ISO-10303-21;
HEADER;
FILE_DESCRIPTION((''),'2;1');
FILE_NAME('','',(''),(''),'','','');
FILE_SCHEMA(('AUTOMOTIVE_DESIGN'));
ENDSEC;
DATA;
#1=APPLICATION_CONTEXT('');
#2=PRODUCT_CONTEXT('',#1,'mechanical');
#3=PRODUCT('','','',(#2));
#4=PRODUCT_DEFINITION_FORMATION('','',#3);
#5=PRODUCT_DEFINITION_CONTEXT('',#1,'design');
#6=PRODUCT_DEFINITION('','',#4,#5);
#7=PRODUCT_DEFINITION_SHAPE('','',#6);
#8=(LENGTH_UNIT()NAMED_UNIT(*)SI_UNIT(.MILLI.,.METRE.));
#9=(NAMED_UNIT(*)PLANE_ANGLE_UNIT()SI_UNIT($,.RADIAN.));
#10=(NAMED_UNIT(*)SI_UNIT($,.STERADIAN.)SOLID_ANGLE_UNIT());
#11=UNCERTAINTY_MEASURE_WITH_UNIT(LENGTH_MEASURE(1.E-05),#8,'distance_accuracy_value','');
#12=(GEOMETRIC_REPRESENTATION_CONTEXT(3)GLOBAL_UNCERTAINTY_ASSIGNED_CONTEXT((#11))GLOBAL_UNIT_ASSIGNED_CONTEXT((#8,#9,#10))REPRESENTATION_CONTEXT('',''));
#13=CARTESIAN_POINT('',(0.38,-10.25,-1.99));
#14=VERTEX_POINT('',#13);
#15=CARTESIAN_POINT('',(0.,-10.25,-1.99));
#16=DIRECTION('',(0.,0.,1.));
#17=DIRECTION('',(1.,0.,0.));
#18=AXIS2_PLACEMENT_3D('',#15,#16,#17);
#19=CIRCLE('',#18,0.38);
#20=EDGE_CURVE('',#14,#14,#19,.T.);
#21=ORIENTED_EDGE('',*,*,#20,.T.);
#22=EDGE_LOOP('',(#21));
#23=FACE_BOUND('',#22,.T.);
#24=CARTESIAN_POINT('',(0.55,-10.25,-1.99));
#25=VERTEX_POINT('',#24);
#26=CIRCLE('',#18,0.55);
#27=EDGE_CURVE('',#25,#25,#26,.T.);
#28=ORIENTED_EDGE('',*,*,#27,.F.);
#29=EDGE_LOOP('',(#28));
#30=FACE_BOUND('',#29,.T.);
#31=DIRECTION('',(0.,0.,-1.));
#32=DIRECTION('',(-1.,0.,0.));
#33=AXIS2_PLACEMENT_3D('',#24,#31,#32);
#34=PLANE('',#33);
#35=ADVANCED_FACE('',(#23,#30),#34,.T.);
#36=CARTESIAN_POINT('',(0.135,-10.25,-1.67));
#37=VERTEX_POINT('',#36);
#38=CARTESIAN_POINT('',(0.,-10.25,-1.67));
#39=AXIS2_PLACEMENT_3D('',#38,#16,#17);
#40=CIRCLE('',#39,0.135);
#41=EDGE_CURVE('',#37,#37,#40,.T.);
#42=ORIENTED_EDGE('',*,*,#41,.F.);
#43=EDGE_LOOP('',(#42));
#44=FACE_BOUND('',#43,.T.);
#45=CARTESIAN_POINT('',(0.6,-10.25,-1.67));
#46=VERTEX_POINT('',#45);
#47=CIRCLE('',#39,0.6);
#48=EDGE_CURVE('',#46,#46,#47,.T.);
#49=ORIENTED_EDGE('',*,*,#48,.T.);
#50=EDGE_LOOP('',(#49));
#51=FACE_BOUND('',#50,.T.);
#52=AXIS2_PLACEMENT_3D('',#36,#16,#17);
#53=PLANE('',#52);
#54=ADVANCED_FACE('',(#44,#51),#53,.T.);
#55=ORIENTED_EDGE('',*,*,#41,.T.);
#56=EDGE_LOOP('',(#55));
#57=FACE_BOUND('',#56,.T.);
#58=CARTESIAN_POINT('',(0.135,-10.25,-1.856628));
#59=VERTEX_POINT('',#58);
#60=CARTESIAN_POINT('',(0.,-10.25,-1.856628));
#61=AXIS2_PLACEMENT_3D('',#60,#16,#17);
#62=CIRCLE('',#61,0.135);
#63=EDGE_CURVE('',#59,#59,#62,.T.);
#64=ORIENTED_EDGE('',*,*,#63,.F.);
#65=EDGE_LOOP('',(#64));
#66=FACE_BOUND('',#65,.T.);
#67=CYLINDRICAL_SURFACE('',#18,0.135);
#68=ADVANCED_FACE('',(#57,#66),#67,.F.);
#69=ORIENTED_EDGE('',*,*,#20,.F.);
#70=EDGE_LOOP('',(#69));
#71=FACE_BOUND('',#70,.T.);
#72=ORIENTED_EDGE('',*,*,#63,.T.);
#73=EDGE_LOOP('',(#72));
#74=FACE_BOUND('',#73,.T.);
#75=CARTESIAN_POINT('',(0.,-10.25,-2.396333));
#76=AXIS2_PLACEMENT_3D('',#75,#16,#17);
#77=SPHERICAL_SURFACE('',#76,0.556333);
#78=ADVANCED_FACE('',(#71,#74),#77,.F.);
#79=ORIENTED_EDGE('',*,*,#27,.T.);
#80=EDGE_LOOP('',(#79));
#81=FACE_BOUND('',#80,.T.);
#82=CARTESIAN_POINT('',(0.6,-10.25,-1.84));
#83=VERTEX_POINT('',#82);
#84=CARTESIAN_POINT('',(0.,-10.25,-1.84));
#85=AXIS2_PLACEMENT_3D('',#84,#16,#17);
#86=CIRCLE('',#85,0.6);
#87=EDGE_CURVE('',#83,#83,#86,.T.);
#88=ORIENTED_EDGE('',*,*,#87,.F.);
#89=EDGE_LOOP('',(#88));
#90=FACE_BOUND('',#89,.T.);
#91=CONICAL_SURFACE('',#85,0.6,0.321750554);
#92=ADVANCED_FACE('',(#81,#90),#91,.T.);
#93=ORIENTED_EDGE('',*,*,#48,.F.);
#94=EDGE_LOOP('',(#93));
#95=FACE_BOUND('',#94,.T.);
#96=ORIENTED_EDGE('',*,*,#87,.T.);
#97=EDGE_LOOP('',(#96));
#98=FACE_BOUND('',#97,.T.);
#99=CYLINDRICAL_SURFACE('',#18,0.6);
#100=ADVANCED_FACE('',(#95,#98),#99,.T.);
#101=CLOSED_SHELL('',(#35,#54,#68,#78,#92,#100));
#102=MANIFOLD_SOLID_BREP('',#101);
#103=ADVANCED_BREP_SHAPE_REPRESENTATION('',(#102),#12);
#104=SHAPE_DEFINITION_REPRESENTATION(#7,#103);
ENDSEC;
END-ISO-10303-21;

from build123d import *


with BuildPart() as part:
    # Sketch1 → Revolve1 (revolve)
    with BuildSketch(Plane(origin=(0, -10.25, 0), x_dir=(1, 0, 0), z_dir=(0, 1, 0))):
        with BuildLine():
            Line((0.6, 1.84), (0.55, 1.99))
            Line((0.55, 1.99), (0.38, 1.99))
            ThreePointArc((0.38, 1.99), (0.265994865, 1.907709235), (0.135, 1.856628064))
            Line((0.135, 1.856628064), (0.135, 1.67))
            Line((0.135, 1.67), (0.6, 1.67))
            Line((0.6, 1.67), (0.6, 1.84))
        make_face()
    revolve(axis=Axis((0, -10.25, -1.99), (0, 0, 1)))


solid = part.part
